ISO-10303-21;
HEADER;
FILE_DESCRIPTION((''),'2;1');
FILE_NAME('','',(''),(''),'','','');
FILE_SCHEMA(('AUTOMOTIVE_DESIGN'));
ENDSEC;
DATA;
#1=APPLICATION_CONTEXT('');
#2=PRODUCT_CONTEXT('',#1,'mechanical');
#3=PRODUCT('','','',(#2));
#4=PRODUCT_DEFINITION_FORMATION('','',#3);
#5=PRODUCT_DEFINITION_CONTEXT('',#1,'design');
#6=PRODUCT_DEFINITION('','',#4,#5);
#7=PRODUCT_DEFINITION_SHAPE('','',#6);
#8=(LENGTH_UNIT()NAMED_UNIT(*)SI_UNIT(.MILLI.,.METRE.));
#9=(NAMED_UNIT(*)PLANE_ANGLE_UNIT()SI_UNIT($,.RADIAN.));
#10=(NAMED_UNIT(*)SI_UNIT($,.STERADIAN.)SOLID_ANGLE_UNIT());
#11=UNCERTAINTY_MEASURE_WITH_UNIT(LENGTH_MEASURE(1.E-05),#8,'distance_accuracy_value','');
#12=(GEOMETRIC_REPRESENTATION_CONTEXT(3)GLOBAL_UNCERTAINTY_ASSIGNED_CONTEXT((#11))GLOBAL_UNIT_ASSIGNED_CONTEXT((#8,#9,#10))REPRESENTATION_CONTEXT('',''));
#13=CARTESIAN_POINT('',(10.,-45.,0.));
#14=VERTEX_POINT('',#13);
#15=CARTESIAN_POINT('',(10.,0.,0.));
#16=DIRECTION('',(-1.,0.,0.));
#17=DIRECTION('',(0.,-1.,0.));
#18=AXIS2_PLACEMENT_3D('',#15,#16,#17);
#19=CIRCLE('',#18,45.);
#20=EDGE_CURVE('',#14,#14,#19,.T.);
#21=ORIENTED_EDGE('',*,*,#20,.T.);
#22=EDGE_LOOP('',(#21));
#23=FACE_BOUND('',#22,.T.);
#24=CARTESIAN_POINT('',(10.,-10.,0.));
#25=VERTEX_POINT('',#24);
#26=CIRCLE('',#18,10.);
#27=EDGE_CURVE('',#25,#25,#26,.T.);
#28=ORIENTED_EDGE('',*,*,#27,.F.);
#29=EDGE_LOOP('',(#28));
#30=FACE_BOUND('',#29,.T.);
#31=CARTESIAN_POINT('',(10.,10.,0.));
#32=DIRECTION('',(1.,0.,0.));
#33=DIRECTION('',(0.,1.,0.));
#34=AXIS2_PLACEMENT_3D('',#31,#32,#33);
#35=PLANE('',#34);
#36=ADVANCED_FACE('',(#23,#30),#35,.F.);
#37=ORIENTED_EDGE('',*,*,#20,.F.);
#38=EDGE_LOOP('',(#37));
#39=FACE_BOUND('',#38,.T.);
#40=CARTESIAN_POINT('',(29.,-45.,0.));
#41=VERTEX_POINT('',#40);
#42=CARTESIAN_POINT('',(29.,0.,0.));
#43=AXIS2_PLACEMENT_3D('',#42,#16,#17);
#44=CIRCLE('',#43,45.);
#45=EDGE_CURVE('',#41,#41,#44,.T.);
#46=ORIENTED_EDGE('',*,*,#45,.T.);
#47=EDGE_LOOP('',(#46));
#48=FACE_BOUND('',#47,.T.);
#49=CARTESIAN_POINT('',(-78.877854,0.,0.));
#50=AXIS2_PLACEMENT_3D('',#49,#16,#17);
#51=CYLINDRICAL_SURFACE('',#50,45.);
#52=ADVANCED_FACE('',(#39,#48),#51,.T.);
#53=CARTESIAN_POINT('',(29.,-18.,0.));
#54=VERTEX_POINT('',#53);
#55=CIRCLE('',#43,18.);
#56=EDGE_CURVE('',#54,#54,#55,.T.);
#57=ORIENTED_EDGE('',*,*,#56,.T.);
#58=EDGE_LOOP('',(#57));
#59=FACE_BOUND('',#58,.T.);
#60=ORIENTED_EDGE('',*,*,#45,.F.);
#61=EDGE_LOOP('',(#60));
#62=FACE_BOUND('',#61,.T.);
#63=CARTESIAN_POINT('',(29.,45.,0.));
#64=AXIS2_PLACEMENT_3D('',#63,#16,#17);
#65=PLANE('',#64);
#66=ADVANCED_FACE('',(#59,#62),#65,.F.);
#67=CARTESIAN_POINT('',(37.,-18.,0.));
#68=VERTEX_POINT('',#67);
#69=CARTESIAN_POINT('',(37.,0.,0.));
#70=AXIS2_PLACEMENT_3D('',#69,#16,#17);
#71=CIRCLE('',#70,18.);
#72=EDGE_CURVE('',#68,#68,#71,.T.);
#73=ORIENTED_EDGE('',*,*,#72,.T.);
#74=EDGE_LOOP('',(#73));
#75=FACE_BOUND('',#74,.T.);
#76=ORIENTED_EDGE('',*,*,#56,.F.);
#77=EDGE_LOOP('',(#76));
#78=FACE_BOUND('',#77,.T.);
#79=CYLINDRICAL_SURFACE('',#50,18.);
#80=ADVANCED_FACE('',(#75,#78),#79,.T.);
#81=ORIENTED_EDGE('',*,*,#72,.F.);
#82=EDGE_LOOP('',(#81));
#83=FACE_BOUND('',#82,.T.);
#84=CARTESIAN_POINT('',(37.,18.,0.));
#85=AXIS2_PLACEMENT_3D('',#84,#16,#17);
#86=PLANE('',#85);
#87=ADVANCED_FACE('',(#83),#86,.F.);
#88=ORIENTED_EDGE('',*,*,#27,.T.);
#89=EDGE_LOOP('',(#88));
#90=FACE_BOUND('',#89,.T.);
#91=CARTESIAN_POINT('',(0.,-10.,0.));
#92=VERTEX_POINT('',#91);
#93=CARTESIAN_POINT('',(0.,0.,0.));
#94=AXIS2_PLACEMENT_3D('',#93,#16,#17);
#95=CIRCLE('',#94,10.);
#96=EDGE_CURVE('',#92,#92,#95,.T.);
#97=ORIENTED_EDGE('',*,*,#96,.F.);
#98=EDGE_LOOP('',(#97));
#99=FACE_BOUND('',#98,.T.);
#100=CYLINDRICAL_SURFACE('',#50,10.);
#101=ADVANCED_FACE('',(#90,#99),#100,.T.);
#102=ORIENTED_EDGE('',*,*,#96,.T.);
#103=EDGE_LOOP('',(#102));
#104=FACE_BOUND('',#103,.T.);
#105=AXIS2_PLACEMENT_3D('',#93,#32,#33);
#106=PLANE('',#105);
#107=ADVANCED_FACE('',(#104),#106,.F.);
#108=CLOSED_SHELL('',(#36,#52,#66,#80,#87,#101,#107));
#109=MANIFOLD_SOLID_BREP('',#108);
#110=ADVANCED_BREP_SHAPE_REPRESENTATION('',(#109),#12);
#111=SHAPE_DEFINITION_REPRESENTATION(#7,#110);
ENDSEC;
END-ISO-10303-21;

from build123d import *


with BuildPart() as part:
    # Sketch2 → Revolve1 (revolve)
    with BuildSketch(Plane.XY, mode=Mode.PRIVATE) as revolve1_sk:
        Polygon((0, 0), (0, 10), (10, 10), (10, 45), (29, 45), (29, 18), (37, 18), (37, 0), align=None)
    revolve(revolve1_sk.sketch.rotate(Axis((-78.877853563, 0, 0), (1, 0, 0)), 180), axis=Axis((-78.877853563, 0, 0), (1, 0, 0)))


solid = part.part
